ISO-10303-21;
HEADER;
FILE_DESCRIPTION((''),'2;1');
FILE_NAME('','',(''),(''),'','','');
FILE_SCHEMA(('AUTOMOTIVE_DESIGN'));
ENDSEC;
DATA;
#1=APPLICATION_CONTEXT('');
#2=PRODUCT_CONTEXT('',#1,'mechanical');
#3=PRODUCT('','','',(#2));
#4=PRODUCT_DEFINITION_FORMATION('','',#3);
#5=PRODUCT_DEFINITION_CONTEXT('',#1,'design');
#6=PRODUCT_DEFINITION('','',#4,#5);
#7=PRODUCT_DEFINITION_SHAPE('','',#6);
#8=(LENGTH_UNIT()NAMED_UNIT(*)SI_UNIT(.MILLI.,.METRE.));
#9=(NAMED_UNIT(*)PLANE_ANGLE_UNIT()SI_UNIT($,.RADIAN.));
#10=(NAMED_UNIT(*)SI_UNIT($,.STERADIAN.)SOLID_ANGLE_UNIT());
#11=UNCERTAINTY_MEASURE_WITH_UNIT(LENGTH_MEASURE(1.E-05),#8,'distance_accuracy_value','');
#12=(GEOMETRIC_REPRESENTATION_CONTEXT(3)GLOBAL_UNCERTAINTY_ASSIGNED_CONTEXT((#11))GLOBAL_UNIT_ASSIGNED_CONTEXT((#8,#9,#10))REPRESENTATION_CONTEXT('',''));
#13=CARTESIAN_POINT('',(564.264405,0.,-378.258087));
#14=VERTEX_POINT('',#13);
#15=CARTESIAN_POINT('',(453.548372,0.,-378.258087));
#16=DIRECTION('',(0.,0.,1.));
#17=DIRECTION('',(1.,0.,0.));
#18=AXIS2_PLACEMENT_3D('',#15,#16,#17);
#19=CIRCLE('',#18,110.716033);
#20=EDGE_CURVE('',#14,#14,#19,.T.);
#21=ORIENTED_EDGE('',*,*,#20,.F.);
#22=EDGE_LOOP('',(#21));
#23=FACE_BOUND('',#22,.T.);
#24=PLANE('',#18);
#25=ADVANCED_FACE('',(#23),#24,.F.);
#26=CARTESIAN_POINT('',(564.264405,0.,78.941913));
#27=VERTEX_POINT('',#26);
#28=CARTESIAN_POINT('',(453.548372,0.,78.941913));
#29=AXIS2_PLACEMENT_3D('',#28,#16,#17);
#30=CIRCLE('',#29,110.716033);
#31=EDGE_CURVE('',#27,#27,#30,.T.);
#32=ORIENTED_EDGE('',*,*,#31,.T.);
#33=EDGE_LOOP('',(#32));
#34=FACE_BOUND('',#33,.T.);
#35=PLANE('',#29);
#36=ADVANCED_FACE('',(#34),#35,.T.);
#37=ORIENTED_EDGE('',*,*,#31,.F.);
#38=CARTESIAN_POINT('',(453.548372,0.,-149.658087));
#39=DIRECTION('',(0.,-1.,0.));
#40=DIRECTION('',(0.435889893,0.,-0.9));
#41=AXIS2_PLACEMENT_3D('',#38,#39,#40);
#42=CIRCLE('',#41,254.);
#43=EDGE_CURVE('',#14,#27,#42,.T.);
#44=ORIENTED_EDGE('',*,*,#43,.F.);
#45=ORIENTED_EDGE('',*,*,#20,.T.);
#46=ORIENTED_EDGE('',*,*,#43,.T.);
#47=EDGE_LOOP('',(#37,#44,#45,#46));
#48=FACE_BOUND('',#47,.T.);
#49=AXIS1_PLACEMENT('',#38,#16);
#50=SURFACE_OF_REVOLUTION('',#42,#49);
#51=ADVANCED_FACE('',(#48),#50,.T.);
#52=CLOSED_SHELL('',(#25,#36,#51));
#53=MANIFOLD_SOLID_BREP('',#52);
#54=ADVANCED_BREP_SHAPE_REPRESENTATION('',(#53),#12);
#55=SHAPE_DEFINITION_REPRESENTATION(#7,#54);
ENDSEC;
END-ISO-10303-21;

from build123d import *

# Parameters (mm, degrees)
F3_DEPTH = 254.001


with BuildPart() as f1:
    # F0 (on Front) → F1 (revolve)
    with BuildSketch(Plane.XZ):
        with BuildLine():
            Line((453.548372, 78.941913), (453.548372, -378.258087))
            Line((453.548372, -378.258087), (564.264405, -378.258087))
            ThreePointArc((564.264405, -378.258087), (707.548372, -149.658087), (564.264405, 78.941913))
            Line((564.264405, 78.941913), (453.548372, 78.941913))
        make_face()
    revolve(axis=Axis((453.548372, 0, -149.658087), (0, 0, 1)))

    # F2 (on Front) → F3 (cut, through all)
    with BuildSketch(Plane.XZ):
        Polygon((5.360078, 0), (31.425737, 0), (29.046301, 77.417913), (5.360078, 77.417913), align=None)
        Polygon((6.333485, -4.270286), (7.847672, -6.703802), (30.560489, -6.703802), (31.425737, -4.270286), align=None)
    extrude(amount=-F3_DEPTH, mode=Mode.SUBTRACT)


solid = f1.part
